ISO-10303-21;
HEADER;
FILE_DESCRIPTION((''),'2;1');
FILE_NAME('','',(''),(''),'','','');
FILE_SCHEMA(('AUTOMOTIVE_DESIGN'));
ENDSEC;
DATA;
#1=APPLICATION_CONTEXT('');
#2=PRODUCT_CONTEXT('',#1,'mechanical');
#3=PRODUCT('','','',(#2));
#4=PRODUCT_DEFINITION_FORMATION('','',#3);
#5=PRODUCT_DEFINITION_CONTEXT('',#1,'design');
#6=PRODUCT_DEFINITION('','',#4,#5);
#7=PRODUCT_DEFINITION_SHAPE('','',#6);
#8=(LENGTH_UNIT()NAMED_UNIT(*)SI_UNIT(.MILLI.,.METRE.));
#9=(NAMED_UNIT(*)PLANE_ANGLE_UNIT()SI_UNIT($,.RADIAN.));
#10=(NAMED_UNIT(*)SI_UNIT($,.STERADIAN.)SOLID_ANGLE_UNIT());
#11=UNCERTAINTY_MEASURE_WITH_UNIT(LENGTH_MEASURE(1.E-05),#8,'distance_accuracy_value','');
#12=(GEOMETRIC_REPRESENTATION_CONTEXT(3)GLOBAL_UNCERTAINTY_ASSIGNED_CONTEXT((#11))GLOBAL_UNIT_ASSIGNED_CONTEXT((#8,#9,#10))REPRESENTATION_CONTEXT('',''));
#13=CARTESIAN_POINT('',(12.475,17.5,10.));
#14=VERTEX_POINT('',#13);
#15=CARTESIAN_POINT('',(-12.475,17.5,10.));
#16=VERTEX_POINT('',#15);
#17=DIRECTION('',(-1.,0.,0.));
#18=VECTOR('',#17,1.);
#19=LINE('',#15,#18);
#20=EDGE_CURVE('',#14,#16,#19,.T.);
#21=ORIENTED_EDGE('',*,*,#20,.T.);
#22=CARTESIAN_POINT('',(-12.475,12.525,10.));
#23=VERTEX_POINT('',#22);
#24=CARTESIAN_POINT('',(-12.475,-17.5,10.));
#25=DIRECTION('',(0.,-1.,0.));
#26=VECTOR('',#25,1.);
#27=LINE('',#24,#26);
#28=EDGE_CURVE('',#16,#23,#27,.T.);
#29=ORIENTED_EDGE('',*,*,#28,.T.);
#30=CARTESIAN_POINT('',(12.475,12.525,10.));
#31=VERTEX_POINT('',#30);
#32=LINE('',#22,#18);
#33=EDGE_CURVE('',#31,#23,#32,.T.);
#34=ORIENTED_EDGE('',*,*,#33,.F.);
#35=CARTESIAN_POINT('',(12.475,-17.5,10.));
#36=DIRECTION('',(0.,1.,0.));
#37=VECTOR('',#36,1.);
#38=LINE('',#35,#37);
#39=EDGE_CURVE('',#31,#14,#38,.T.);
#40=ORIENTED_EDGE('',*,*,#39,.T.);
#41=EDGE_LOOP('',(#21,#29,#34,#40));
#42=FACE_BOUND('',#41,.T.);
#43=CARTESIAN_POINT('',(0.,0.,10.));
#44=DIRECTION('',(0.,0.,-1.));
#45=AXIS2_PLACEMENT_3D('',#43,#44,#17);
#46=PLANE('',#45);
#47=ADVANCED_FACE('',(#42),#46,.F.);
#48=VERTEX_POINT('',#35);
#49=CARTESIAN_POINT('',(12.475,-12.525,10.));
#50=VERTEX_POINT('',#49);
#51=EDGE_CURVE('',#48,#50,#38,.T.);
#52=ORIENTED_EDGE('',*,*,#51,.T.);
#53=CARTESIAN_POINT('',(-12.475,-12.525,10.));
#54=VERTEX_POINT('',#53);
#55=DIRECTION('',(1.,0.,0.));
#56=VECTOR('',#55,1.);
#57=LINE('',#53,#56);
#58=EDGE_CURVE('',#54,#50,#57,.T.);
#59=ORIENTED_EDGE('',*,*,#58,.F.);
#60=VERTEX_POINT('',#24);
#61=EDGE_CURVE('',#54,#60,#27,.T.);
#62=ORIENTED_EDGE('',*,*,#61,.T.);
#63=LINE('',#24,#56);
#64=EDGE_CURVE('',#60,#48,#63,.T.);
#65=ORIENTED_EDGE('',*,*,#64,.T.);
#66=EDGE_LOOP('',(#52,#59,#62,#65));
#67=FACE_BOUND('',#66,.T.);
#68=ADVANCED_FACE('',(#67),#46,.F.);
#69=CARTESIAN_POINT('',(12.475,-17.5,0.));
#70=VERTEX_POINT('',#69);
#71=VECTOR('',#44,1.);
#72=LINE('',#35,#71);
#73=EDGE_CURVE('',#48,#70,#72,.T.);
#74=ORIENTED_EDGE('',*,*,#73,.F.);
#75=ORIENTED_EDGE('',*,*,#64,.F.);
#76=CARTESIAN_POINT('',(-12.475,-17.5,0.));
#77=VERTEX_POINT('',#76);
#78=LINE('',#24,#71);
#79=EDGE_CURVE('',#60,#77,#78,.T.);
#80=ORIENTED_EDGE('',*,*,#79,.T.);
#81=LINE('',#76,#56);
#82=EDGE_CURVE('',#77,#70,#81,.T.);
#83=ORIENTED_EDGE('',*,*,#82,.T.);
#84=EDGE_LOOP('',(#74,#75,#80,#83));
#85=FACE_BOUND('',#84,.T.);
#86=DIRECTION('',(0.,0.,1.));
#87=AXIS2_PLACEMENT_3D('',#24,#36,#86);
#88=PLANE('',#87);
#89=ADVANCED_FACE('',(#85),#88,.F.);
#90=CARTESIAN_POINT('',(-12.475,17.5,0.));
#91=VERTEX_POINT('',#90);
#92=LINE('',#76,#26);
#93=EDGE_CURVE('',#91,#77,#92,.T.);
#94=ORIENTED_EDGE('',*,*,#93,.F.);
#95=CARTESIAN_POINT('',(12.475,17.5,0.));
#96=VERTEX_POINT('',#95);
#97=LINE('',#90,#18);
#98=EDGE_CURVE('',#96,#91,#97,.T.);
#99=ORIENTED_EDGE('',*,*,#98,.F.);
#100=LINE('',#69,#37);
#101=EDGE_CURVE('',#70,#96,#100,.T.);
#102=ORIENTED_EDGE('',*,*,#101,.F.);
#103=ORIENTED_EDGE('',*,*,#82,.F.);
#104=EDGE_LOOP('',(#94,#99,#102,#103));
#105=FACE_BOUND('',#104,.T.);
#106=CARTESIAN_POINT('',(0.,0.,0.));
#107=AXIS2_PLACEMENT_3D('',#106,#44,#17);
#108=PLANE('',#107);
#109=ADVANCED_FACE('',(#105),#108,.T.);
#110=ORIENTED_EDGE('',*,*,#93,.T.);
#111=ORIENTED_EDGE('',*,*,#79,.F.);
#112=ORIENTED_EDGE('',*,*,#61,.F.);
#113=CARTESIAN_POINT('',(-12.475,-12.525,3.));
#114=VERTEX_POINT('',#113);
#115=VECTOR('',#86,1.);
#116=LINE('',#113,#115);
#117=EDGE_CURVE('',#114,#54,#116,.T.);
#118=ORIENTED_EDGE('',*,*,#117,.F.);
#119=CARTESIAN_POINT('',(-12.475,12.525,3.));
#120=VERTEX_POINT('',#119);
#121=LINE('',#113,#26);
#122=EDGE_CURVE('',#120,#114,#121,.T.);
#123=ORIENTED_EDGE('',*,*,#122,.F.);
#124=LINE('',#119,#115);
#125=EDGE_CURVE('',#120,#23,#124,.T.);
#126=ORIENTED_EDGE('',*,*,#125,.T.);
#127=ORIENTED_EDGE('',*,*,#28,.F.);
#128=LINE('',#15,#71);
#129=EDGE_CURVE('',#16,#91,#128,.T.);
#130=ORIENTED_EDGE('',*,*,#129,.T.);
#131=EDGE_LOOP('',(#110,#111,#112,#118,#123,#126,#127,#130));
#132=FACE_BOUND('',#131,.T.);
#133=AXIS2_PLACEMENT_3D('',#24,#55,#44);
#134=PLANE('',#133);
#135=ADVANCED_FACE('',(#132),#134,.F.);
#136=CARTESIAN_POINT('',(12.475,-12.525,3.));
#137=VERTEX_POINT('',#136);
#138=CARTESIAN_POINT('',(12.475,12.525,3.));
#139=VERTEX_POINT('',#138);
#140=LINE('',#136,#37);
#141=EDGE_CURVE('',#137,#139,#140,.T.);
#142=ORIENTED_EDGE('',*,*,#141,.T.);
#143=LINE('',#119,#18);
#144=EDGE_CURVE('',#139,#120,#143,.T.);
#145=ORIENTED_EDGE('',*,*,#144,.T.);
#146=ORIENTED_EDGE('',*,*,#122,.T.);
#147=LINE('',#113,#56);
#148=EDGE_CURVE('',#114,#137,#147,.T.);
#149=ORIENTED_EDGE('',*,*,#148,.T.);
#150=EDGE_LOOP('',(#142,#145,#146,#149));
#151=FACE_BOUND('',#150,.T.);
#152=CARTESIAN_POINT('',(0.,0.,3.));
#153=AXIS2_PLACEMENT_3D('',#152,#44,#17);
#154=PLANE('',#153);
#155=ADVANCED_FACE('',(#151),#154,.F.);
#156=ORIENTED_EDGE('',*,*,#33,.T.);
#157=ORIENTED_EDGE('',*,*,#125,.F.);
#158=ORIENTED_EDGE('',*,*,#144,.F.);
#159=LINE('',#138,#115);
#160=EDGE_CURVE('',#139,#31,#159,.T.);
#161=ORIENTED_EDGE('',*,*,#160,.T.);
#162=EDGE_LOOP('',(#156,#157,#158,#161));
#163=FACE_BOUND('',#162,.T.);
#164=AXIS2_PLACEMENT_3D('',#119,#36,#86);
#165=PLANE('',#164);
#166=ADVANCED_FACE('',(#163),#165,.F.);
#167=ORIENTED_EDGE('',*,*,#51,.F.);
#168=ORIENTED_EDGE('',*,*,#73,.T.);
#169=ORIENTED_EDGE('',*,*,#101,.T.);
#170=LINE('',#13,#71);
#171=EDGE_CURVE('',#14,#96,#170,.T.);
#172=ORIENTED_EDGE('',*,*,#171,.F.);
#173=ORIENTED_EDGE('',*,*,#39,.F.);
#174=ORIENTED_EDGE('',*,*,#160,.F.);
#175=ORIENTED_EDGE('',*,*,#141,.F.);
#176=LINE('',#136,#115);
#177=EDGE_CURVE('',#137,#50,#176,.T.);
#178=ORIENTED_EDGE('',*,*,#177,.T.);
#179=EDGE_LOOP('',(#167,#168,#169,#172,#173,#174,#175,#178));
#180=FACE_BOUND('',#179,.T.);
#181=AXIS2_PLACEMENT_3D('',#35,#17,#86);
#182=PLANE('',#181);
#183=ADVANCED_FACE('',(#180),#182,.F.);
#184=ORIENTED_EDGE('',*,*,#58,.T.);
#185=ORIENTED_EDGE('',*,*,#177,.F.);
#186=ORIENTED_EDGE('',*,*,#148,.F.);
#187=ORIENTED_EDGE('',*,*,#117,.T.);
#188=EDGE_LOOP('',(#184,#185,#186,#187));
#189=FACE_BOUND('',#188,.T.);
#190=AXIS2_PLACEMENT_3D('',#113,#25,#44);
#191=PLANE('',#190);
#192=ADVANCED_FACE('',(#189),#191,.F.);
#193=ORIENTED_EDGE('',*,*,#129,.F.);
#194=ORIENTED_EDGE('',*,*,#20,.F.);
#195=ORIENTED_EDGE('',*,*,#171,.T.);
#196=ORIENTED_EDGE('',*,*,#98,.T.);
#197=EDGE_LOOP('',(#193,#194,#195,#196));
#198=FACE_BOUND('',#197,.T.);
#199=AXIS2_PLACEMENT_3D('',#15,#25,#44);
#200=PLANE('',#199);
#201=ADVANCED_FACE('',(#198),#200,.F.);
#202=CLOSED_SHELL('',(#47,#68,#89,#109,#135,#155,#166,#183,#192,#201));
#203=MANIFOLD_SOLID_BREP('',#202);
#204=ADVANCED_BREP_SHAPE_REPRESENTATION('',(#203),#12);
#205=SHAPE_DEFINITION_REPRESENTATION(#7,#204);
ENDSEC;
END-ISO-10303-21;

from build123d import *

# Parameters (mm, degrees)
SKETCH1_W           = 24.95
SKETCH1_H           = 35
BOSS_EXTRUDE1_DEPTH = 10
SKETCH2_W           = 24.95
SKETCH2_H           = 25.05
CUT_EXTRUDE1_DEPTH  = 7


with BuildPart() as part:
    # Sketch1 → Boss-Extrude1 (new body)
    with BuildSketch(Plane.XY):
        Rectangle(SKETCH1_W, SKETCH1_H)
    extrude(amount=BOSS_EXTRUDE1_DEPTH)

    # Sketch2 → Cut-Extrude1 (cut)
    with BuildSketch(Plane.XY.offset(10)):
        Rectangle(SKETCH2_W, SKETCH2_H)
    extrude(amount=-CUT_EXTRUDE1_DEPTH, mode=Mode.SUBTRACT)


solid = part.part
